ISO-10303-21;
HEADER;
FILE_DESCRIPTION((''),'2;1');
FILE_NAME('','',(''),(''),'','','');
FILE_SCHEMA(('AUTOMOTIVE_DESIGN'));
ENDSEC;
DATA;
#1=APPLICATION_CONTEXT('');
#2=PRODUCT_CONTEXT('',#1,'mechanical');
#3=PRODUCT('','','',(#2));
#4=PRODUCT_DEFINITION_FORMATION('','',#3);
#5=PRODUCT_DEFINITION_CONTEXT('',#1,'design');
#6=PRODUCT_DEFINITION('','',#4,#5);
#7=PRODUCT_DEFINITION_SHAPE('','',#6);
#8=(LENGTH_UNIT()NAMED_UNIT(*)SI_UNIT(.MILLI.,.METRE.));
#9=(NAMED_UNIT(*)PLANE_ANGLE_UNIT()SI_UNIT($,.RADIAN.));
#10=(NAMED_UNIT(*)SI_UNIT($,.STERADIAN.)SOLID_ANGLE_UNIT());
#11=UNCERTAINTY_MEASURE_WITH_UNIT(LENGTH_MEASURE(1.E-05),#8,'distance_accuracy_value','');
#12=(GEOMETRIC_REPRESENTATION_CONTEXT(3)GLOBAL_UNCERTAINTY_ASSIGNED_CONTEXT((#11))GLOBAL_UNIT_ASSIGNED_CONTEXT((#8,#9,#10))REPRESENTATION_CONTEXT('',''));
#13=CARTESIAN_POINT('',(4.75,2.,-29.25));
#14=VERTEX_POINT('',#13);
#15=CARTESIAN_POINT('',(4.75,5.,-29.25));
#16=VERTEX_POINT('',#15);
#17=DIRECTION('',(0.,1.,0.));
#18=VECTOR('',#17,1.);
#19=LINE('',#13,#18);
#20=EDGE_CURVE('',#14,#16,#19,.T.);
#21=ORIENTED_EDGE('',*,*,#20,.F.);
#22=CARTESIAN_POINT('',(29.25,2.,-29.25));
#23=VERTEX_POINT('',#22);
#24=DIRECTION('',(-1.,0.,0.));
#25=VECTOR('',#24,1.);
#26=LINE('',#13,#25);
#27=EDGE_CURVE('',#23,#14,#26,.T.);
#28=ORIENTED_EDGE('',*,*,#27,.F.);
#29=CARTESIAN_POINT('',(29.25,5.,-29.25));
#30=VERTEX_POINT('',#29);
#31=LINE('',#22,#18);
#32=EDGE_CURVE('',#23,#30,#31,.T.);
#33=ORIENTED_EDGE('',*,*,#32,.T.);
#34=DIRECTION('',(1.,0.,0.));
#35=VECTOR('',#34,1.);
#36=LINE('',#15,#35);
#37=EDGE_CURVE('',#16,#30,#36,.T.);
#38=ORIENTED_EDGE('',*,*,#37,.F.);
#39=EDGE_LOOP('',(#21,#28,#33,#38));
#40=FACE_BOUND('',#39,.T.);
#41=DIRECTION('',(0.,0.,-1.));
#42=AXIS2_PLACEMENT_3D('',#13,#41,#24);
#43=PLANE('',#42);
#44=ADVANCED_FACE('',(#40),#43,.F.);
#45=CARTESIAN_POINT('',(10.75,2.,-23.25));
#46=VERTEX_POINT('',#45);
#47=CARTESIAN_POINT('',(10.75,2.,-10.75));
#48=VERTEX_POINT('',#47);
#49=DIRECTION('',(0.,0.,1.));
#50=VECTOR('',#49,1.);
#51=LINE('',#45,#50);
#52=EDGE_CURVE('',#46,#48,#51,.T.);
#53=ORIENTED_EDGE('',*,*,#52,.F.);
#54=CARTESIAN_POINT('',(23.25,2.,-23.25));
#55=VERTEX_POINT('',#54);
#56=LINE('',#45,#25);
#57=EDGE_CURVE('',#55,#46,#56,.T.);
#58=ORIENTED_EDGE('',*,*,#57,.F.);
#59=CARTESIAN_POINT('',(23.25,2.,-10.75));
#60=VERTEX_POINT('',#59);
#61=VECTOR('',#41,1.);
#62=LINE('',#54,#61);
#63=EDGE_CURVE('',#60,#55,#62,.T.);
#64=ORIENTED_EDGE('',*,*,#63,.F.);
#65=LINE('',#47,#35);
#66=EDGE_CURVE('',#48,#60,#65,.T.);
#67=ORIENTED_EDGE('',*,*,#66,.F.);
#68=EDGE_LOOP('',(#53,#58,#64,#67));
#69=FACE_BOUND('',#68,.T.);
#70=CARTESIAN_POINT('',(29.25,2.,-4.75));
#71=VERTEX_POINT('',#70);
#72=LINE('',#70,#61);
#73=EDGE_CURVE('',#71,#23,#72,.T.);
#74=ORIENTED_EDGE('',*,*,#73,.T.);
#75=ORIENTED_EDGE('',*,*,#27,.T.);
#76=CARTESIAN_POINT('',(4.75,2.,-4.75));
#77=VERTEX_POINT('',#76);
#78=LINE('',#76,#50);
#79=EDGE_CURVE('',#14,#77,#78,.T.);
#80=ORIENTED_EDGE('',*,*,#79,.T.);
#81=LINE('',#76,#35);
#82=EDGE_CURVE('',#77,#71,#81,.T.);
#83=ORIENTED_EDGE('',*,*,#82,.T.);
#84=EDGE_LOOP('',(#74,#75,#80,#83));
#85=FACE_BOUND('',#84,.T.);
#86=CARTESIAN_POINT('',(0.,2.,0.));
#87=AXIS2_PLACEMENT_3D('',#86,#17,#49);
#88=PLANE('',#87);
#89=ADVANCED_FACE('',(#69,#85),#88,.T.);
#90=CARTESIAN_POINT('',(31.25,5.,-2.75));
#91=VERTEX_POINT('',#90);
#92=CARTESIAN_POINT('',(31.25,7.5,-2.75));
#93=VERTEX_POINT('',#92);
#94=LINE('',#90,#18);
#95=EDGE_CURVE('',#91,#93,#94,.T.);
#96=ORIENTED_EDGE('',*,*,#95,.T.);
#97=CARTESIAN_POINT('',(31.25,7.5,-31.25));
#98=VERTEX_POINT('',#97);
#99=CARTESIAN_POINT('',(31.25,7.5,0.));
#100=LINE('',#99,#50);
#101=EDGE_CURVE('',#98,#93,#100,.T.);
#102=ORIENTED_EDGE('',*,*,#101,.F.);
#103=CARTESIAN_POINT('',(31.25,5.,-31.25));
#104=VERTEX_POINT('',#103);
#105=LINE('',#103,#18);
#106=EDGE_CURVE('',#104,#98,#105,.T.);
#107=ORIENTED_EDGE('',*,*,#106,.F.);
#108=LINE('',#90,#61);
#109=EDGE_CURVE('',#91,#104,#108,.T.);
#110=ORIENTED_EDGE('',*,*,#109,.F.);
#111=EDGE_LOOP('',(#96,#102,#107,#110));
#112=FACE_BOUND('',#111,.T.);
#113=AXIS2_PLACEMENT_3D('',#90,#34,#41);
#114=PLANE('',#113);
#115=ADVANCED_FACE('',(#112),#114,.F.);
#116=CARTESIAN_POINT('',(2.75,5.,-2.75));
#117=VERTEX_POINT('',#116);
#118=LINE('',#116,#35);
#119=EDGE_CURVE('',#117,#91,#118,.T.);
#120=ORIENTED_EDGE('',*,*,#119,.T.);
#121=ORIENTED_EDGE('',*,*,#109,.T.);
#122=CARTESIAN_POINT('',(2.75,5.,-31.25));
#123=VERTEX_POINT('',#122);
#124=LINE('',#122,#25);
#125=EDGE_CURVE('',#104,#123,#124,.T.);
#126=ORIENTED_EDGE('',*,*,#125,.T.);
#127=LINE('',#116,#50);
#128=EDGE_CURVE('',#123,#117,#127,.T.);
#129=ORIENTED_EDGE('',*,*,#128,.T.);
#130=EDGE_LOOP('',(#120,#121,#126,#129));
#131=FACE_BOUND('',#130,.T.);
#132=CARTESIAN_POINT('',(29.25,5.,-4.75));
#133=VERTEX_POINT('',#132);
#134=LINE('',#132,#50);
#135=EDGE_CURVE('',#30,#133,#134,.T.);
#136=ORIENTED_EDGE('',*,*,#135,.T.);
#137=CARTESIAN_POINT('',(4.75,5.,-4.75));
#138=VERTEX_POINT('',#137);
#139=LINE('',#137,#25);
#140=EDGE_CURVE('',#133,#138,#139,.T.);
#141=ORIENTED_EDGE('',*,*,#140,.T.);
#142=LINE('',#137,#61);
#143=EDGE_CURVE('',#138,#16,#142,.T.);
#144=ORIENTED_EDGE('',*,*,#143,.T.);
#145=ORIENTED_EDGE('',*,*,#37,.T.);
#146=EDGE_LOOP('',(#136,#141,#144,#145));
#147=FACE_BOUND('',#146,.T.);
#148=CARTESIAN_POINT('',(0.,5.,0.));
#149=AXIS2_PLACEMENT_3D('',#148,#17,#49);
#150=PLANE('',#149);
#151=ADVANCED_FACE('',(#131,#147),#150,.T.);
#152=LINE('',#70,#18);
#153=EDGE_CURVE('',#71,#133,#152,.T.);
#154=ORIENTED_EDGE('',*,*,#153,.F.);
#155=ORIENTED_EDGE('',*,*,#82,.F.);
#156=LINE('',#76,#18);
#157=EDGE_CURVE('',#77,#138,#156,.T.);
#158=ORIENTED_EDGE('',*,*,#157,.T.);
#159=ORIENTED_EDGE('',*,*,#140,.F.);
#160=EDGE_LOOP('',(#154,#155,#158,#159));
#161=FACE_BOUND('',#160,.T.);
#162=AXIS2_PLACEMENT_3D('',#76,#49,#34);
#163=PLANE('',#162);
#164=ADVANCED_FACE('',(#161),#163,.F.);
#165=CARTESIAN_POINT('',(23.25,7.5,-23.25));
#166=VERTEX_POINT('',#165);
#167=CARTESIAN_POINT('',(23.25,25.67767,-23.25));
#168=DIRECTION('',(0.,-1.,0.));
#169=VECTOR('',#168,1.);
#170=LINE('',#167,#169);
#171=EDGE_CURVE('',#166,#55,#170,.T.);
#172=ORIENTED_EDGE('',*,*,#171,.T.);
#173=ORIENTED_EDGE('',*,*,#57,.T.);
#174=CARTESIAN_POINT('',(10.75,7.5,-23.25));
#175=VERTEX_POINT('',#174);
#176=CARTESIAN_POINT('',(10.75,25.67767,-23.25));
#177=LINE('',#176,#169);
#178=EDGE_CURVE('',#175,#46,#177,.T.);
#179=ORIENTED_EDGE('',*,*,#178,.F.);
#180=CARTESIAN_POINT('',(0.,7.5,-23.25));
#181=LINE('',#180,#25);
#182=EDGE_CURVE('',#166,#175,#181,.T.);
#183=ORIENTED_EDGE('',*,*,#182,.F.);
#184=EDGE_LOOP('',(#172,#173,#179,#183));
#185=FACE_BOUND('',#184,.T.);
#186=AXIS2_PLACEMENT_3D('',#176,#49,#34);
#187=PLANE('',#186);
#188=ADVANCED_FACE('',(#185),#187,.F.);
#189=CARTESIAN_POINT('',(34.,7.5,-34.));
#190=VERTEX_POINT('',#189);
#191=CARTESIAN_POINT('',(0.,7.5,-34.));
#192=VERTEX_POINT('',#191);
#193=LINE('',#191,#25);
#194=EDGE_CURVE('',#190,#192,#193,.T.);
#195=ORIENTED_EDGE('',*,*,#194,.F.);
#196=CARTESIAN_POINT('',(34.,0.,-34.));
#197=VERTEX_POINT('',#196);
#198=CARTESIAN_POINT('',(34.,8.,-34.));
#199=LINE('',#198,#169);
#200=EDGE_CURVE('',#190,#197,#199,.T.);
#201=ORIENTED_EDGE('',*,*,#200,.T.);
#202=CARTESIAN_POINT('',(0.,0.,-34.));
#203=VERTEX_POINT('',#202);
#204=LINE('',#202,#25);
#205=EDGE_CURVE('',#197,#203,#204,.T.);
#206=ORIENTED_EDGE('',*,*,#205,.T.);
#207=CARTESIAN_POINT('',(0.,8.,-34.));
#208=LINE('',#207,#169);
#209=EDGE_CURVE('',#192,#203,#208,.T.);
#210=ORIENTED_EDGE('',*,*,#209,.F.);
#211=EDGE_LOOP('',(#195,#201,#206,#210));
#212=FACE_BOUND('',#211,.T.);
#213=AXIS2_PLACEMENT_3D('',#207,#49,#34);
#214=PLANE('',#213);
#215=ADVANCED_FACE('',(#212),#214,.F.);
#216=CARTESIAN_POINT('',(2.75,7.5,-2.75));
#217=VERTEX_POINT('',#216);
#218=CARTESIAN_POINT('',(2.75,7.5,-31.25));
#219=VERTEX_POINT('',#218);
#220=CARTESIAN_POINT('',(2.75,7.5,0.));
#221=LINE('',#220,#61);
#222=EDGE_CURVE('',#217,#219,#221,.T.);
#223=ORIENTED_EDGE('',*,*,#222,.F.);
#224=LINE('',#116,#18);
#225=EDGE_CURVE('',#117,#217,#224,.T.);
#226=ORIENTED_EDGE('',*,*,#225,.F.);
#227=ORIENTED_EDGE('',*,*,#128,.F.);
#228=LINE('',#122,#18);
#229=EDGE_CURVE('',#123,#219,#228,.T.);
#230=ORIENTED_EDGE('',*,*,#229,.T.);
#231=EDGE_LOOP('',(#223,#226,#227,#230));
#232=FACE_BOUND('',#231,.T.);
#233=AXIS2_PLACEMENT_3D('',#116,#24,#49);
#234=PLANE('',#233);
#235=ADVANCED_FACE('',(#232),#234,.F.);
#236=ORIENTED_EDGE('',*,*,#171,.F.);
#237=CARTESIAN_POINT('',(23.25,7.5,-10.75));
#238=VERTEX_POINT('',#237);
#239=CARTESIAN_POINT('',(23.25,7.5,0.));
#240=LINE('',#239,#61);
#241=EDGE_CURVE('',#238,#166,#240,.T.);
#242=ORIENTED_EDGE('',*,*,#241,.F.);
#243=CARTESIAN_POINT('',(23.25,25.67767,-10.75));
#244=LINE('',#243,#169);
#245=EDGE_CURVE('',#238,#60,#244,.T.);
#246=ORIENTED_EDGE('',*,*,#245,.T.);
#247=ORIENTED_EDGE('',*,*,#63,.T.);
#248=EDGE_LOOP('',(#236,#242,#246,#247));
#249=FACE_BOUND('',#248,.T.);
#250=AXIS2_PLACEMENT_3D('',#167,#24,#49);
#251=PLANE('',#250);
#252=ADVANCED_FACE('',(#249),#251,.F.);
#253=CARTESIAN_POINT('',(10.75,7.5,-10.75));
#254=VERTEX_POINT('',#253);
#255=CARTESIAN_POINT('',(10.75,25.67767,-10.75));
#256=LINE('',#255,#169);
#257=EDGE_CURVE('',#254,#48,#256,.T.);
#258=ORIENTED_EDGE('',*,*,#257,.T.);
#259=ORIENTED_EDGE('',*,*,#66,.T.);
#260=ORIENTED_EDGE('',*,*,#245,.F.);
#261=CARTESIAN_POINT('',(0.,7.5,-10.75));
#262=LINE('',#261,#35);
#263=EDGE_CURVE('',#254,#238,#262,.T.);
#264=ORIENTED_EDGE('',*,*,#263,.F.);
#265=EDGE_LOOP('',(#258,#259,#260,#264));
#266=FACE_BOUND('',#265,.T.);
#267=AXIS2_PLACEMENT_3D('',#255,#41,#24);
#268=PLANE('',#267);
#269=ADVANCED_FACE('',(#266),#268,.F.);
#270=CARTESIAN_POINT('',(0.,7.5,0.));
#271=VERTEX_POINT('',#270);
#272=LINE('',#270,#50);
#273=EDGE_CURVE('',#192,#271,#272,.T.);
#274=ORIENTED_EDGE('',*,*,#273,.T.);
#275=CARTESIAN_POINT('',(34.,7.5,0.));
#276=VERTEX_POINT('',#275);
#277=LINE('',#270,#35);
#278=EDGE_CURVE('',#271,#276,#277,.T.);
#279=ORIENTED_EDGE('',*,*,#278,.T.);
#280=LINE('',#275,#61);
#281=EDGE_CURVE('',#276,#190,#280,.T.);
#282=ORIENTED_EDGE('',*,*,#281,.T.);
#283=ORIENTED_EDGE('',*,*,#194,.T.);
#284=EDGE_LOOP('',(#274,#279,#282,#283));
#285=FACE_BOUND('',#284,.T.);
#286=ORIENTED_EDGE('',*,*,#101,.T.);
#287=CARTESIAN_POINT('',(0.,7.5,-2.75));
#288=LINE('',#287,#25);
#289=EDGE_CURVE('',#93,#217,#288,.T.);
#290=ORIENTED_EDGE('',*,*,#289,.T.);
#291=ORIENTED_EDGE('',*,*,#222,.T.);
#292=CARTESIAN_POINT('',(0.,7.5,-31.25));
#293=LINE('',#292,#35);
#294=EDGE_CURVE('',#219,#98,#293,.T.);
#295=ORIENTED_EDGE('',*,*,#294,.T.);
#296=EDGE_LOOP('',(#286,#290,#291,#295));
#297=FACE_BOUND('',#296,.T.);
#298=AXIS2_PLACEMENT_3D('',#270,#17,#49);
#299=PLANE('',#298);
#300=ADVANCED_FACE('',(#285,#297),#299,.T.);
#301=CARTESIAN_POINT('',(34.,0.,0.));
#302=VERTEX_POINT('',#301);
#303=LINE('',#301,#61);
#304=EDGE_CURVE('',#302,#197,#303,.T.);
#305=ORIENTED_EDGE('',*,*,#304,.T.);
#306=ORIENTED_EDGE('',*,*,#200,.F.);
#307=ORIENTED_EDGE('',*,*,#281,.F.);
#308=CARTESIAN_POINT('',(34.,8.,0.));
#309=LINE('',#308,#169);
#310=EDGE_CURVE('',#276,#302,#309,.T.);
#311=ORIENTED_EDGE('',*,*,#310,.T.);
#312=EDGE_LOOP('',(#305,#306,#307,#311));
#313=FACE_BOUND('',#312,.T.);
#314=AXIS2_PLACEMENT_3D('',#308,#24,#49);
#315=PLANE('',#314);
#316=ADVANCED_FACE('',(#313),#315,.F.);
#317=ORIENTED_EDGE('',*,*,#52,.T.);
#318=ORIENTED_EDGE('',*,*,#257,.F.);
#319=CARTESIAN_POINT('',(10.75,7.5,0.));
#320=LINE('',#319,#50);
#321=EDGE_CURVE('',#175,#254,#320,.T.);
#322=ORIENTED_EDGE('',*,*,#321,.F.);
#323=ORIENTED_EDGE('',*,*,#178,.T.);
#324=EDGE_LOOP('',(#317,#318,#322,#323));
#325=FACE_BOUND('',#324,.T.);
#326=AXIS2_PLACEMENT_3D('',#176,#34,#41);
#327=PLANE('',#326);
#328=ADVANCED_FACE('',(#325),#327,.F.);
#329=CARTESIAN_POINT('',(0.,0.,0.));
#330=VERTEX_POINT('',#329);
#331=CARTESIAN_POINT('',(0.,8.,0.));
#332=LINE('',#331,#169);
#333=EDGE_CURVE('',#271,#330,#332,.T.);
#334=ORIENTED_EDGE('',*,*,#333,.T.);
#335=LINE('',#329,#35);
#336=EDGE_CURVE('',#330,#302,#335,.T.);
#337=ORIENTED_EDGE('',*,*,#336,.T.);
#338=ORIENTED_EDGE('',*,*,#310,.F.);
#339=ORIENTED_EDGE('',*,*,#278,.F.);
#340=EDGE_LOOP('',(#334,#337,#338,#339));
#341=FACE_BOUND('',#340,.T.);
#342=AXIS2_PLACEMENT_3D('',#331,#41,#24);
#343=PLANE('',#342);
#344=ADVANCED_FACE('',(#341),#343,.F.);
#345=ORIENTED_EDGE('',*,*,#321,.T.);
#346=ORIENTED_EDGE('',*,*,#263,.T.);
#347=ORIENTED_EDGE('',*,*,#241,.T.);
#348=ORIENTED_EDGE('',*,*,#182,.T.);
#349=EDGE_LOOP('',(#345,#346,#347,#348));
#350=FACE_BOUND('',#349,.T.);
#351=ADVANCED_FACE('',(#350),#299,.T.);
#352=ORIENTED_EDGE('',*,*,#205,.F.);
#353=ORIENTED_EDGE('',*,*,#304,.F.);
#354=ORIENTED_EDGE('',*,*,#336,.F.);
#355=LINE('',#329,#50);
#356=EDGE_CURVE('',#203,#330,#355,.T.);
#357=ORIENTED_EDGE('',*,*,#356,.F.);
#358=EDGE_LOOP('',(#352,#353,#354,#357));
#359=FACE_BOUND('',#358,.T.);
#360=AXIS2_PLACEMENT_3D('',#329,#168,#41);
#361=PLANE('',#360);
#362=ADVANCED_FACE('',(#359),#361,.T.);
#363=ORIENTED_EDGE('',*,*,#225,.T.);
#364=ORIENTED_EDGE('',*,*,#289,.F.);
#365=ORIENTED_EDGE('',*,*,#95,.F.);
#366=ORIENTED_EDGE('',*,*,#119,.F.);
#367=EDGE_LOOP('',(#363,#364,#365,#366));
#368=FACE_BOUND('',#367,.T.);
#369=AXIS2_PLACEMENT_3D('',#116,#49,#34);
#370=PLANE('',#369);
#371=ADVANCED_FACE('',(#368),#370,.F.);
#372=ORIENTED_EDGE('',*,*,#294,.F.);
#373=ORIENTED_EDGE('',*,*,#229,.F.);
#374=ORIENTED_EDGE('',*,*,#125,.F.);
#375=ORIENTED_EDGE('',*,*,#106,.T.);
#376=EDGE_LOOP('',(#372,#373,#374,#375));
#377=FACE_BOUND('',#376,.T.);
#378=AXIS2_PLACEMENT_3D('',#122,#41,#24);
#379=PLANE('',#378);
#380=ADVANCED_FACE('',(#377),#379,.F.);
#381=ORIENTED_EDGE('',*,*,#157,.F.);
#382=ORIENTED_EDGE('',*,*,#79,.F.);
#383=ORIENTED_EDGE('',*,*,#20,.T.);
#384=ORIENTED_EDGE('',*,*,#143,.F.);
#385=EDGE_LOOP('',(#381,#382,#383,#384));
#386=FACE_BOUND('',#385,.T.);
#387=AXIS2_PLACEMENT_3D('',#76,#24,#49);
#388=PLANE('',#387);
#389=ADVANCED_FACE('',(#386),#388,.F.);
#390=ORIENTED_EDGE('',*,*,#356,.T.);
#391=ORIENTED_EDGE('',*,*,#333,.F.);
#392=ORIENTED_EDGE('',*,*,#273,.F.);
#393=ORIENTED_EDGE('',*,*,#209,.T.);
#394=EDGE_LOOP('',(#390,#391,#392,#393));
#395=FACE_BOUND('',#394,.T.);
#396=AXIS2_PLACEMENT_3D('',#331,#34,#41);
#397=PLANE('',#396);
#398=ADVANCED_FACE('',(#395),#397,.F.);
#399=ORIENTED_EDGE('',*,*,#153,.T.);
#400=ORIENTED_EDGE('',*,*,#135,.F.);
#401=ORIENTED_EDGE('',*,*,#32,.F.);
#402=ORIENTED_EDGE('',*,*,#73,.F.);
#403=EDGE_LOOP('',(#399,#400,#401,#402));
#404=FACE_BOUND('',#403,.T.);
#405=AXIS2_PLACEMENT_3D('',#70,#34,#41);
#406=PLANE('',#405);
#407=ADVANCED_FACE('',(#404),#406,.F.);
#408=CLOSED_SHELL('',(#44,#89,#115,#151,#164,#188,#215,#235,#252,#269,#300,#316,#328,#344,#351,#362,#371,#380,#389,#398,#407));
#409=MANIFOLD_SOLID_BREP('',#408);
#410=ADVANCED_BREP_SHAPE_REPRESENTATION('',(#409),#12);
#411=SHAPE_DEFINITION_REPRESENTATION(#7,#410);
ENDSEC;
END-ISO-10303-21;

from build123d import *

# Parameters (mm, degrees)
SKETCH_1_W          = 34
SKETCH_1_H          = 34
EXTRUDE_1_DEPTH     = 8
SKETCH_2_W          = 24.5
SKETCH_2_H          = 24.5
CUT_EXTRUDE_1_DEPTH = 6
SKETCH_3_W          = 28.5
SKETCH_3_H          = 28.5
CUT_EXTRUDE_2_DEPTH = 3
SKETCH_4_W          = 12.5
SKETCH_4_H          = 12.5
EXTRUDE_2_DEPTH     = 6
SKETCH_5_W          = 34
SKETCH_5_H          = 34
SKETCH_5_W_2        = 28.5
SKETCH_5_H_2        = 28.5
SKETCH_5_W_3        = 12.5
SKETCH_5_H_3        = 12.5
CUT_EXTRUDE_4_DEPTH = 0.5


with BuildPart() as part:
    # Эскиз1 → Бобышка-Вытянуть1 (new body)
    with BuildSketch(Plane(origin=(0, 0, 0), x_dir=(1, 0, 0), z_dir=(0, 1, 0))):
        with Locations((17, 17)):
            Rectangle(SKETCH_1_W, SKETCH_1_H)
    extrude(amount=EXTRUDE_1_DEPTH)

    # Эскиз2 → Вырез-Вытянуть1 (cut)
    with BuildSketch(Plane(origin=(0, 8, 0), x_dir=(1, 0, 0), z_dir=(0, 1, 0))):
        with Locations((17, 17)):
            Rectangle(SKETCH_2_W, SKETCH_2_H)
    extrude(amount=-CUT_EXTRUDE_1_DEPTH, mode=Mode.SUBTRACT)

    # Эскиз3 → Вырез-Вытянуть2 (cut)
    with BuildSketch(Plane(origin=(0, 8, 0), x_dir=(1, 0, 0), z_dir=(0, 1, 0))):
        with Locations((17, 17)):
            Rectangle(SKETCH_3_W, SKETCH_3_H)
    extrude(amount=-CUT_EXTRUDE_2_DEPTH, mode=Mode.SUBTRACT)

    # Эскиз4 → Бобышка-Вытянуть2 (add)
    with BuildSketch(Plane(origin=(0, 2, 0), x_dir=(1, 0, 0), z_dir=(0, 1, 0))):
        with Locations((17, 17)):
            Rectangle(SKETCH_4_W, SKETCH_4_H)
    extrude(amount=EXTRUDE_2_DEPTH)

    # Эскиз5 → Вырез-Вытянуть4 (cut)
    # profile 1 of 2: a face of its own
    with BuildSketch(Plane(origin=(0, 8, 0), x_dir=(1, 0, 0), z_dir=(0, 1, 0))):
        with Locations((17, 17)):
            Rectangle(SKETCH_5_W, SKETCH_5_H)
        with Locations((17, 17)):
            Rectangle(SKETCH_5_W_2, SKETCH_5_H_2, mode=Mode.SUBTRACT)
    # profile 2 of 2: a face of its own
    with BuildSketch(Plane(origin=(0, 8, 0), x_dir=(1, 0, 0), z_dir=(0, 1, 0))):
        with Locations((17, 17)):
            Rectangle(SKETCH_5_W_3, SKETCH_5_H_3)
    extrude(amount=-CUT_EXTRUDE_4_DEPTH, mode=Mode.SUBTRACT)


solid = part.part
